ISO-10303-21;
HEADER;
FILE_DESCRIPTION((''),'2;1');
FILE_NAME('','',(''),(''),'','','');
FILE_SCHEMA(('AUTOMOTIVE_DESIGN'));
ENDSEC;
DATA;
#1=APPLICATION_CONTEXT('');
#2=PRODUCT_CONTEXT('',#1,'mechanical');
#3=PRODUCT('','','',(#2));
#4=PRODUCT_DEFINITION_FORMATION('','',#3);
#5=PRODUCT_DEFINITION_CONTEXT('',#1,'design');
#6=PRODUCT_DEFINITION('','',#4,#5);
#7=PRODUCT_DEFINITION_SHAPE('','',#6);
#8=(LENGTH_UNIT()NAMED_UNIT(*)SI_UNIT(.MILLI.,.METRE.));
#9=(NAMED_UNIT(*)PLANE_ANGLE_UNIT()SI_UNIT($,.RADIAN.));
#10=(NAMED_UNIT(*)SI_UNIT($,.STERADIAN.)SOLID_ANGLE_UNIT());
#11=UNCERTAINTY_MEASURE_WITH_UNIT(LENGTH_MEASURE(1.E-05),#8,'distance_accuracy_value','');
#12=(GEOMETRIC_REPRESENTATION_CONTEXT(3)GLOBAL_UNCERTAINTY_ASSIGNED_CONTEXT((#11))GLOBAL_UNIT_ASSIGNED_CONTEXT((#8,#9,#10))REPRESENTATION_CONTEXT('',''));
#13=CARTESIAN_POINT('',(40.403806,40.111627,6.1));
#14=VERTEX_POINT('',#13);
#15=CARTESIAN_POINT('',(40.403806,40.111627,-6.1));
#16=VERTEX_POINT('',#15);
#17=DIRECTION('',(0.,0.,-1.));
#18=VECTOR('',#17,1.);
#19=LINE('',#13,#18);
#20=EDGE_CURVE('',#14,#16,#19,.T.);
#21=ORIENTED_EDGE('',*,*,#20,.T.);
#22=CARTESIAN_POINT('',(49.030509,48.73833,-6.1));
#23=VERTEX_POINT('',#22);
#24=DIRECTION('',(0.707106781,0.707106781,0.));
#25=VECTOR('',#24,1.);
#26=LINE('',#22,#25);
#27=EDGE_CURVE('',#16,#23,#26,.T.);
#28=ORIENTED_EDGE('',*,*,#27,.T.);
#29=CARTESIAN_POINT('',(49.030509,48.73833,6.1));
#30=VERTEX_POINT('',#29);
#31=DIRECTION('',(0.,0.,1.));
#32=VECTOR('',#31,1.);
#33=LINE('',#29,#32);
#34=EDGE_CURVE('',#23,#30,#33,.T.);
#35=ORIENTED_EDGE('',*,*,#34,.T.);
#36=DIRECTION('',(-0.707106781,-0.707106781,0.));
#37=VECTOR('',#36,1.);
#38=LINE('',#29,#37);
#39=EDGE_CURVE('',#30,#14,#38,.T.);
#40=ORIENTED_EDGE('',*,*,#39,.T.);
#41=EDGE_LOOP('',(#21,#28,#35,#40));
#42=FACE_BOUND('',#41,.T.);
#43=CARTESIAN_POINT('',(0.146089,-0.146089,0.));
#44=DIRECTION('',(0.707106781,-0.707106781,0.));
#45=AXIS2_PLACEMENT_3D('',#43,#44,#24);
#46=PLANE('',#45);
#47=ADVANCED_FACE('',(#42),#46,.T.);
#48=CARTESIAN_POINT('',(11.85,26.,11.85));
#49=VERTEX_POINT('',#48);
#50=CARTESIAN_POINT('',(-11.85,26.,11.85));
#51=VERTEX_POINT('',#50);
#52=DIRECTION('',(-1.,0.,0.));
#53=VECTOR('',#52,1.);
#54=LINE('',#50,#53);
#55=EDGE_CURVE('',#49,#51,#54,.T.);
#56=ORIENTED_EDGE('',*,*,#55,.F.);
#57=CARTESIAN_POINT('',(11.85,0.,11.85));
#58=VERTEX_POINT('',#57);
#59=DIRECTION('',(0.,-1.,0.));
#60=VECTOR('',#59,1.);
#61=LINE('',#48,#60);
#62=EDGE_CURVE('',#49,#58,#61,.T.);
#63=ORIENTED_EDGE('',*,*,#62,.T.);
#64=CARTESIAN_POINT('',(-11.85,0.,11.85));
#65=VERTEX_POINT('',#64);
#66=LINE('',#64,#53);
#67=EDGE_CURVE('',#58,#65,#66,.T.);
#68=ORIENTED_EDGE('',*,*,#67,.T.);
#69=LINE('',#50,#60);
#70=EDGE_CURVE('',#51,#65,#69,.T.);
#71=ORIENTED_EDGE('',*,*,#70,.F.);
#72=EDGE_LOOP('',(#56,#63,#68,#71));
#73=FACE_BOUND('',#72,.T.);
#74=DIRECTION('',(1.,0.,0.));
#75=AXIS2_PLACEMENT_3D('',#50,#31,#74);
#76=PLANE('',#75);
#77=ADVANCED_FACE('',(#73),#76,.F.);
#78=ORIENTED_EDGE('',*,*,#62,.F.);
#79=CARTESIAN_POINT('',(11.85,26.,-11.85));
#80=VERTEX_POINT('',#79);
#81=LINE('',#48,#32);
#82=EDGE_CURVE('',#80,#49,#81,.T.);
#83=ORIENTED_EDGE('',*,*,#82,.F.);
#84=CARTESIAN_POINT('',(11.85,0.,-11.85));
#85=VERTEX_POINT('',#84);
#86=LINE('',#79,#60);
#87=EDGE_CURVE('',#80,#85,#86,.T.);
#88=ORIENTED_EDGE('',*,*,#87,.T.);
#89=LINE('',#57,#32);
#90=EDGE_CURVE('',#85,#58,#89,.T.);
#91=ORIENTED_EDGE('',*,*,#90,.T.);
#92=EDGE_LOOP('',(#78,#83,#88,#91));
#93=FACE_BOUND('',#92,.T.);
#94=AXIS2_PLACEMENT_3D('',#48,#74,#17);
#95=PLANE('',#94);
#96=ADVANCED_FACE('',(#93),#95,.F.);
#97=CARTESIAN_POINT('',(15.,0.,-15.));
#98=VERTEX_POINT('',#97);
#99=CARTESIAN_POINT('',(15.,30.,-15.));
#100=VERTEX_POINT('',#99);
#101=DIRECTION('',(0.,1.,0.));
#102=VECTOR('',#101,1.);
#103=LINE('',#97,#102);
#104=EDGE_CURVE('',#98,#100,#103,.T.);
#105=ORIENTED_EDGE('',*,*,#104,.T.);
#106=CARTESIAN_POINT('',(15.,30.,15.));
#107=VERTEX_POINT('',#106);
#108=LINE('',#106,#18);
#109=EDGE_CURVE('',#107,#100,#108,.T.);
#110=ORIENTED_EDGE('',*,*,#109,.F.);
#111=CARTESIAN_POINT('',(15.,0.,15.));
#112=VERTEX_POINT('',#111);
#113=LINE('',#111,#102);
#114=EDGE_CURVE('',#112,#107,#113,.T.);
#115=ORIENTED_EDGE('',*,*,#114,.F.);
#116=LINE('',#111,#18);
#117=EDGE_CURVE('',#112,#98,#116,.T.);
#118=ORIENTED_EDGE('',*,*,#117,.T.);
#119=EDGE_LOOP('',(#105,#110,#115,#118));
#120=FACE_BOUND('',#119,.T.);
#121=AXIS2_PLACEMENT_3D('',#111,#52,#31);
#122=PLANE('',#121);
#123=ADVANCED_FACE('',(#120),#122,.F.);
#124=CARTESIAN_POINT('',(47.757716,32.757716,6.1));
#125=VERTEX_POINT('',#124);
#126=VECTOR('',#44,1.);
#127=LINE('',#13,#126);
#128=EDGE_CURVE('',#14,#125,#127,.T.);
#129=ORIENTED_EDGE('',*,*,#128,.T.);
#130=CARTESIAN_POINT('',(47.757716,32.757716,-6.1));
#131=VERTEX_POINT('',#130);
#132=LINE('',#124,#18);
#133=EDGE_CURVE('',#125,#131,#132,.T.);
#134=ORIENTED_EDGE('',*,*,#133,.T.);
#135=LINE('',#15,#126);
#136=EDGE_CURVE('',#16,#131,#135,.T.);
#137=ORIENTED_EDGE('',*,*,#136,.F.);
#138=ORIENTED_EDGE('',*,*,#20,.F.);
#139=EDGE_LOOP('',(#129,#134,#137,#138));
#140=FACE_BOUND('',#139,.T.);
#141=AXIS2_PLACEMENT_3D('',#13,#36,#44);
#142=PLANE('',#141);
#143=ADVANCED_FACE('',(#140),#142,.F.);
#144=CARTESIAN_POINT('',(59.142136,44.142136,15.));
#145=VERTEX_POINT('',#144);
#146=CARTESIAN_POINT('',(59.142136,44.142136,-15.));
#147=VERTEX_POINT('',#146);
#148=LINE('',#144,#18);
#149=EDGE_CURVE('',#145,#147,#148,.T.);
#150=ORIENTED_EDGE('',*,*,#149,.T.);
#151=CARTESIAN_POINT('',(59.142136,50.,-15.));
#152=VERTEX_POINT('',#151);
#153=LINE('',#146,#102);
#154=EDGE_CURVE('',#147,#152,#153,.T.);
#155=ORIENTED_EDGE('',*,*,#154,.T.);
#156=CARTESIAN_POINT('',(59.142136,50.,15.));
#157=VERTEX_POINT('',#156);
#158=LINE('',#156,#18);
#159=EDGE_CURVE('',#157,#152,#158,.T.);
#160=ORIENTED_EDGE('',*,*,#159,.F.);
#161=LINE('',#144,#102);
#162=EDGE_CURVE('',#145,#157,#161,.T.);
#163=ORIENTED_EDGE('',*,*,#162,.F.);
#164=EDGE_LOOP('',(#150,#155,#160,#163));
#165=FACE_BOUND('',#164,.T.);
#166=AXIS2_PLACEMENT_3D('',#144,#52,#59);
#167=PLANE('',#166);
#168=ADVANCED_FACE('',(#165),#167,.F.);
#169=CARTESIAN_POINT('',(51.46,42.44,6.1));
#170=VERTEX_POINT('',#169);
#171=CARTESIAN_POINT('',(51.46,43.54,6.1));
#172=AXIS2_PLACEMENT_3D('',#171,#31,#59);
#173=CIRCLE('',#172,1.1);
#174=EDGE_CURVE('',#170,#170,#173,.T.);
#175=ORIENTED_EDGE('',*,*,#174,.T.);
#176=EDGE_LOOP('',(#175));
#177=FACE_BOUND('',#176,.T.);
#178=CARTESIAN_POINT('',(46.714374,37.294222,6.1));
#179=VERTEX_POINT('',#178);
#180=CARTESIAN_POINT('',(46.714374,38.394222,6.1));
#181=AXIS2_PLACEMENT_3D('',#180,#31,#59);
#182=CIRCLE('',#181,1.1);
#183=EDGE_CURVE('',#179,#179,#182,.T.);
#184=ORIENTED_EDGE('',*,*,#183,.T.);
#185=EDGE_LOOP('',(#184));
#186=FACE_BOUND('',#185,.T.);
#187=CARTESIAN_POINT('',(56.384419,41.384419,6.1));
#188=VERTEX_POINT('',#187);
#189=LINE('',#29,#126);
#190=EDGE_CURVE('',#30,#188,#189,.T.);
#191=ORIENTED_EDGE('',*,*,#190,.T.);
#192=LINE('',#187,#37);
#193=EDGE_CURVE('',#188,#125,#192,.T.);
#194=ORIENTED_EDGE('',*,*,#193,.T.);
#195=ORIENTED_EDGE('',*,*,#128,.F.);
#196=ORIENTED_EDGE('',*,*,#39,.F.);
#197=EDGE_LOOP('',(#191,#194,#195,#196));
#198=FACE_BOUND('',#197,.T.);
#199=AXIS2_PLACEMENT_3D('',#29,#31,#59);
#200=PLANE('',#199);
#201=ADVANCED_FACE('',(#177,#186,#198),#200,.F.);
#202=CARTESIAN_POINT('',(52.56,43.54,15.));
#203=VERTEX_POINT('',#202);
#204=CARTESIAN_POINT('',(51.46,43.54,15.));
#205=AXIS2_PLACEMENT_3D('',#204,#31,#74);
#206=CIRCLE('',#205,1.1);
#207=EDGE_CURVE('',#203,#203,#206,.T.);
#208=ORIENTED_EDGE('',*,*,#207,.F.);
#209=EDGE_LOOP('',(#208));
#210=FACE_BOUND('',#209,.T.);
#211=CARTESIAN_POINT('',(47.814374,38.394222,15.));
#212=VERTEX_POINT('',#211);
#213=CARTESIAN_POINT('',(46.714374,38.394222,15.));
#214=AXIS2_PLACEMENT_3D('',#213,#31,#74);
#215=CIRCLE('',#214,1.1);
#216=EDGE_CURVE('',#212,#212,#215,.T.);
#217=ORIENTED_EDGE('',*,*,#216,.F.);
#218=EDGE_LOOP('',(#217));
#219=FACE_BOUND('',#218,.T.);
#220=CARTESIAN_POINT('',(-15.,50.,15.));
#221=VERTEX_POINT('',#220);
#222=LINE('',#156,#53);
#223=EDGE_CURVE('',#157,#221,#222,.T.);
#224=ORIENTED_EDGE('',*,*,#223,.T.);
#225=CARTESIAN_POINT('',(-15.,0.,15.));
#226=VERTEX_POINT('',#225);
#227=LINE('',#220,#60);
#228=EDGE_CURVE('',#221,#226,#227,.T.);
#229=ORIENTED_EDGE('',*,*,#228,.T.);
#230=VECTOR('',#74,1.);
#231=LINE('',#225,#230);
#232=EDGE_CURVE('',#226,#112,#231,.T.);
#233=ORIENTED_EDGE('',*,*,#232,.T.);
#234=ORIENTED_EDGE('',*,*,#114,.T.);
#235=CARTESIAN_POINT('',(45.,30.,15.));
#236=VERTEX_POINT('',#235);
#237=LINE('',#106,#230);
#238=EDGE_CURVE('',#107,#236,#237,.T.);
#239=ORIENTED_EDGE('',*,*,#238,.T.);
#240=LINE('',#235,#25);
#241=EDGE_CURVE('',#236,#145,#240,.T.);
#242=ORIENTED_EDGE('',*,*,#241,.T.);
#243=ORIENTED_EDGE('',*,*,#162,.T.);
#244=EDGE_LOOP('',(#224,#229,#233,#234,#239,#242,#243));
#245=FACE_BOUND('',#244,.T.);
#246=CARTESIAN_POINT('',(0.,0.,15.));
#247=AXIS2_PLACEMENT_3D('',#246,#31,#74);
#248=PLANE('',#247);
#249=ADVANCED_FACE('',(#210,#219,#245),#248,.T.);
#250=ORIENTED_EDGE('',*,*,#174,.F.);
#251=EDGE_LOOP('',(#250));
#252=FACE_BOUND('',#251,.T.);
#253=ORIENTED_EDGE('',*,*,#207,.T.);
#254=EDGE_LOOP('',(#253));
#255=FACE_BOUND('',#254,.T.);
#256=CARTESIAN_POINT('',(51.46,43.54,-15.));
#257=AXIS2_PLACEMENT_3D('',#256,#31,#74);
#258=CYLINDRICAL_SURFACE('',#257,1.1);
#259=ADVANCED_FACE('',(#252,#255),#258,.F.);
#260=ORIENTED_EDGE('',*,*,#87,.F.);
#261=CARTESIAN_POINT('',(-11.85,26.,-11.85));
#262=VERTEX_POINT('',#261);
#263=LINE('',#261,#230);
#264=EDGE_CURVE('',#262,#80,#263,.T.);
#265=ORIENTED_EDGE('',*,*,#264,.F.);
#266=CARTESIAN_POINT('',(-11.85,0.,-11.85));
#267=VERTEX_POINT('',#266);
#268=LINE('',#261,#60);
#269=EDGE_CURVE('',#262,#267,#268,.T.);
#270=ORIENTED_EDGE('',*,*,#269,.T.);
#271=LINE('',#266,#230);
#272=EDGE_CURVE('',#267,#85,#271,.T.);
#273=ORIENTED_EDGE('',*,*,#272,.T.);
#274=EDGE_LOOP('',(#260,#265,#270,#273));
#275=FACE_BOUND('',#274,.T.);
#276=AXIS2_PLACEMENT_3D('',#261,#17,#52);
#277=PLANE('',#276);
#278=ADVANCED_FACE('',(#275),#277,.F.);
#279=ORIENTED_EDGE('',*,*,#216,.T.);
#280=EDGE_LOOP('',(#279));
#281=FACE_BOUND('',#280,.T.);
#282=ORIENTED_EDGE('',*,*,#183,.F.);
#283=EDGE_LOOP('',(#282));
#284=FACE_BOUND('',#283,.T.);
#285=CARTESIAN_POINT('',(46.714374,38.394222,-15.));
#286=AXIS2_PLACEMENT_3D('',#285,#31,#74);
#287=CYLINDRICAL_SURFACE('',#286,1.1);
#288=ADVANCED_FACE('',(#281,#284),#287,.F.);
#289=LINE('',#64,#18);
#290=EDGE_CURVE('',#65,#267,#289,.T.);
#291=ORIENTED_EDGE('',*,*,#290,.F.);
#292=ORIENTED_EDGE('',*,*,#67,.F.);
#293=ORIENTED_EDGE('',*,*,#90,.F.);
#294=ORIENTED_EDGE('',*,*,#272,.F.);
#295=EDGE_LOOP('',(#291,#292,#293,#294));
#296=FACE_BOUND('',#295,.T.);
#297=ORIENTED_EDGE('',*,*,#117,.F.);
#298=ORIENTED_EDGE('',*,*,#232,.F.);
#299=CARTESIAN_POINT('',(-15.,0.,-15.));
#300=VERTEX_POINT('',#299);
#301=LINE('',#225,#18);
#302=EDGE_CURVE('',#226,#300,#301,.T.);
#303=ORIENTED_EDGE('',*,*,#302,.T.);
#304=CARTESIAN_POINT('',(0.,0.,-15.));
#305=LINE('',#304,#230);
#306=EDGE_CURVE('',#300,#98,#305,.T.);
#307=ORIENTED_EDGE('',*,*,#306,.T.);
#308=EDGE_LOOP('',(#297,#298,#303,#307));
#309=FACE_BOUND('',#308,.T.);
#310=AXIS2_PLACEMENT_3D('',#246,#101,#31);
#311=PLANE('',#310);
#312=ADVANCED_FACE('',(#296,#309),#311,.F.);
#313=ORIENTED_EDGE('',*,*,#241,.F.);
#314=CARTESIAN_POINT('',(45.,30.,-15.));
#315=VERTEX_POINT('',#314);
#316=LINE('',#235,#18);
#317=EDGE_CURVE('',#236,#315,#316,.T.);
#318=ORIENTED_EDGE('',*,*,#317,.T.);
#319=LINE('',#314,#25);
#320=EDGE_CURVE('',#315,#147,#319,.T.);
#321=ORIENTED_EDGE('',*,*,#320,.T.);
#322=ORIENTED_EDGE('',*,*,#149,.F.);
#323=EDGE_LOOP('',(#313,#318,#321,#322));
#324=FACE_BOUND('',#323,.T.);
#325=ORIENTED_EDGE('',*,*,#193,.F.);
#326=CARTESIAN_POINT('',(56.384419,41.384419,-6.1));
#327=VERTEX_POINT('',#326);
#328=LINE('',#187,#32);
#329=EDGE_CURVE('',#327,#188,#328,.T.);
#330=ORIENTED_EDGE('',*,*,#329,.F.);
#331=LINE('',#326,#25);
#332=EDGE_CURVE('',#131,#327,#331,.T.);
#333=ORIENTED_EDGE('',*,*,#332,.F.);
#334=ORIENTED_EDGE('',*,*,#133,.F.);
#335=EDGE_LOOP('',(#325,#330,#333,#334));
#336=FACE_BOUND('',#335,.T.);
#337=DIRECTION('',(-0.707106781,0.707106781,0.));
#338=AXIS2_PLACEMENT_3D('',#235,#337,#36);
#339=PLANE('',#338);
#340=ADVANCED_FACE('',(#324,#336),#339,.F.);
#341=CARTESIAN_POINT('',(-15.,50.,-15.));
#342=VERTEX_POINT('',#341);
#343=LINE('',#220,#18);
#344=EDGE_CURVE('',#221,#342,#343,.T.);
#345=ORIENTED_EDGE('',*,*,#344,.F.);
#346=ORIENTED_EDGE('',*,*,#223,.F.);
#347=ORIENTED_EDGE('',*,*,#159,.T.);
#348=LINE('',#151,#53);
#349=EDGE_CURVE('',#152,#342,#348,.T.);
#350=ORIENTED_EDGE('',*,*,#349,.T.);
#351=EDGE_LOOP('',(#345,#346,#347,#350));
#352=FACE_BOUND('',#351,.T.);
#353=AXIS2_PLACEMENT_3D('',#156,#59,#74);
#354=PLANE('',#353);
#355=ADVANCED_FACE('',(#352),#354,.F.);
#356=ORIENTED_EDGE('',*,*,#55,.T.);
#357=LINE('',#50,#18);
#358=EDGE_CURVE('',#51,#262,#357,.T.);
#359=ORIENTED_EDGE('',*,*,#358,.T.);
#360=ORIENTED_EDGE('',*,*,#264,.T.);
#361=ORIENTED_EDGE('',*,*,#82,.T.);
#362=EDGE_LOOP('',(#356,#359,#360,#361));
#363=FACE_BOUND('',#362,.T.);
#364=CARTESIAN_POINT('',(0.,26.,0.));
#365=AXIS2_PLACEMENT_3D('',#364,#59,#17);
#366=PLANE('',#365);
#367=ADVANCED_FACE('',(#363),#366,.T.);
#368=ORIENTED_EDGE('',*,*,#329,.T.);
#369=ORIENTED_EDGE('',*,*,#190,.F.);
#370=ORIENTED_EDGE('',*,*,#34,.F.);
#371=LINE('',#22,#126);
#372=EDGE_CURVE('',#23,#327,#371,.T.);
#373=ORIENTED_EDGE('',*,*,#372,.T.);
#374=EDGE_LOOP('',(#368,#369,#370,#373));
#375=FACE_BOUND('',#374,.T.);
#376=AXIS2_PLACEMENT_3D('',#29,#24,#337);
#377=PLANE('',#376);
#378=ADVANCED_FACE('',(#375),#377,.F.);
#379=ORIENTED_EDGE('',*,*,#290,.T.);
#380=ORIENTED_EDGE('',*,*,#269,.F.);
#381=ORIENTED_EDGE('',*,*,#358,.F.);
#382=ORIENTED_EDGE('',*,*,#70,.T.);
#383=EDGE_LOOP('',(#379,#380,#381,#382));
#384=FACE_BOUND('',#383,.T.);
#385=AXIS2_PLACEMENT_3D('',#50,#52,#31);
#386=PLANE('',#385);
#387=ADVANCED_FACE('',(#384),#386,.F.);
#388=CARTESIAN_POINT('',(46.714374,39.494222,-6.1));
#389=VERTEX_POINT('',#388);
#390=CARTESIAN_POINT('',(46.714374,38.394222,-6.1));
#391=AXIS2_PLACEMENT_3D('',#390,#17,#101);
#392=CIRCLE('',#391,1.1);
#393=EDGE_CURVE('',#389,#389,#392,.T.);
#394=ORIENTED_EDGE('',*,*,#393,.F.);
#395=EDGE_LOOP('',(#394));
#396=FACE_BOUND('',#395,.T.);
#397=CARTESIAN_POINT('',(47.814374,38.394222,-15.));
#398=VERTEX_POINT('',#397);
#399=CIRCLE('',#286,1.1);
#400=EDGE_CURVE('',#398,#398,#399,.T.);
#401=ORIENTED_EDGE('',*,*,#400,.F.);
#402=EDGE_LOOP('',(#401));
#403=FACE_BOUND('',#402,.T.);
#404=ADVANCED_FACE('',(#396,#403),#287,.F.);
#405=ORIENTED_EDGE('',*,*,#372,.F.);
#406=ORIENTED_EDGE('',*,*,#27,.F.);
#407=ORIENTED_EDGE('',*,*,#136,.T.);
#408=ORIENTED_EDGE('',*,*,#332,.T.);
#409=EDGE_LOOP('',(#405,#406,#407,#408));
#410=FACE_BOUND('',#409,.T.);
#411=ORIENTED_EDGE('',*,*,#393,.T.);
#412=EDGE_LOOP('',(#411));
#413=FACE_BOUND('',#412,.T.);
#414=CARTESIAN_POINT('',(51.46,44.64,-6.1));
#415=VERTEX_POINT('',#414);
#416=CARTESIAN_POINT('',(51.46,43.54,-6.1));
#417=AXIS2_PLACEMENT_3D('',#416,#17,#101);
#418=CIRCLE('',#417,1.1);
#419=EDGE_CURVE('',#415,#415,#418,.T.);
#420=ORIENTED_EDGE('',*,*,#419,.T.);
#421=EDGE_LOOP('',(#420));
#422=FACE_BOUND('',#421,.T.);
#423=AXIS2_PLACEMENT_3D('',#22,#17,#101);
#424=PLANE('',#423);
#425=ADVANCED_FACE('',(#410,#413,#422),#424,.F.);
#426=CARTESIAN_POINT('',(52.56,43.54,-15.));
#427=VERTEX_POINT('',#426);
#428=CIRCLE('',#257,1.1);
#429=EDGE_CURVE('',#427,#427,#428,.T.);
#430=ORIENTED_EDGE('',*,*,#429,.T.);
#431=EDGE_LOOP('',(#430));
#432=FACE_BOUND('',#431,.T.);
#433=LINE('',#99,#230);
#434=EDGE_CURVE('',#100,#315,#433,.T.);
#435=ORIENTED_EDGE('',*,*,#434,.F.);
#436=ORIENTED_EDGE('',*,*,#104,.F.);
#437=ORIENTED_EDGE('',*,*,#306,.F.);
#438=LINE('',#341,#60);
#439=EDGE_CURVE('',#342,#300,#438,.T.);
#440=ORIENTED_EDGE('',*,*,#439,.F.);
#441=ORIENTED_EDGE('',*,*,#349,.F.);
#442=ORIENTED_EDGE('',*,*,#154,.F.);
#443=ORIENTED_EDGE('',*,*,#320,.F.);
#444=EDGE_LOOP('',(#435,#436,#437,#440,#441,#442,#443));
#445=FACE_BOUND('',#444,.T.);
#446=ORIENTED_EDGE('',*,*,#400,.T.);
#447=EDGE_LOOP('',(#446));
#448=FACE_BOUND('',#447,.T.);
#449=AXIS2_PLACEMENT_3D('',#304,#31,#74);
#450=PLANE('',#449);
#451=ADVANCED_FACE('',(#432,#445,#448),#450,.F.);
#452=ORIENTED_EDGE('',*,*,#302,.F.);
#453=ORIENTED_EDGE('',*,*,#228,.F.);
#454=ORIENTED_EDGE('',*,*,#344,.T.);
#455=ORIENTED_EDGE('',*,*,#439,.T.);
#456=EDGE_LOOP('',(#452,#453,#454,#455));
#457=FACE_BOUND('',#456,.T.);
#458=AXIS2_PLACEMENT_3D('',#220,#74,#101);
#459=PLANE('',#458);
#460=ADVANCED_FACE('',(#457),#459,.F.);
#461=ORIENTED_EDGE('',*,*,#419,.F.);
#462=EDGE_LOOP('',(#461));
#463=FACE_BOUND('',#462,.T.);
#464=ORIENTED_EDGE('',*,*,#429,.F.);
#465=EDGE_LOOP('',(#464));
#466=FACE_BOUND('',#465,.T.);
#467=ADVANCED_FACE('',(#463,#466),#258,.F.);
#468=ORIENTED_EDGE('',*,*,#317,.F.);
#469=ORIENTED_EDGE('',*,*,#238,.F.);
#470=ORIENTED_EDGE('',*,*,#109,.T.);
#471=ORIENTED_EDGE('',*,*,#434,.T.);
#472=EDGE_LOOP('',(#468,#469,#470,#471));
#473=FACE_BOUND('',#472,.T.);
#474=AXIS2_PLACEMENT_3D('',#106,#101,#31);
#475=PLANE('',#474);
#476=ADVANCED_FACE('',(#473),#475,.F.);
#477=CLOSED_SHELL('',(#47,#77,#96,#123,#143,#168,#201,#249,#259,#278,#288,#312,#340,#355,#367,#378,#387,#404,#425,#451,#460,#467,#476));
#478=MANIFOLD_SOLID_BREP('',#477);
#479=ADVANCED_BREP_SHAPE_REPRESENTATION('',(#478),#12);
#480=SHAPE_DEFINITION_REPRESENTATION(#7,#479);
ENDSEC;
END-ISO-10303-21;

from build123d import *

# Parameters (mm, degrees)
BOSS_EXTRUDE1_DEPTH = 15
SKETCH2_W           = 23.7
SKETCH2_H           = 23.7
CUT_EXTRUDE1_DEPTH  = 26
SKETCH5_W           = 12.2
SKETCH5_H           = 12.2
CUT_EXTRUDE3_DEPTH  = 10.4
SKETCH6_R           = 1.1
CUT_EXTRUDE4_DEPTH  = 84.052948209
SKETCH7_R           = 1.1
CUT_EXTRUDE5_DEPTH  = 84.052948209


with BuildPart() as part:
    # Sketch1 → Boss-Extrude1 (new, symmetric)
    with BuildSketch(Plane.XY):
        Polygon((0, 0), (15, 0), (15, 30), (45, 30), (59.142135624, 44.142135624), (59.142135624, 50), (-15, 50), (-15, 0), align=None)
    extrude(amount=BOSS_EXTRUDE1_DEPTH, both=True)

    # Sketch2 → Cut-Extrude1 (cut)
    with BuildSketch(Plane.XZ):
        Rectangle(SKETCH2_W, SKETCH2_H)
    extrude(amount=-CUT_EXTRUDE1_DEPTH, mode=Mode.SUBTRACT)

    # Sketch5 → Cut-Extrude3 (cut)
    with BuildSketch(Plane(origin=(7.5, -7.5, 0), x_dir=(0, 0, -1), z_dir=(0.7071067811865487, -0.7071067811865465, 0))):
        with Locations((0, 63.033008589)):
            Rectangle(SKETCH5_W, SKETCH5_H)
    extrude(amount=-CUT_EXTRUDE3_DEPTH, mode=Mode.SUBTRACT)

    # Sketch6 → Cut-Extrude4 (cut, through all)
    with BuildSketch(Plane.XY.offset(15)):
        with Locations((51.46, 43.54)):
            Circle(SKETCH6_R)
    extrude(amount=-CUT_EXTRUDE4_DEPTH, mode=Mode.SUBTRACT)

    # Sketch7 → Cut-Extrude5 (cut, through all)
    with BuildSketch(Plane.XY.offset(15)):
        with Locations((46.714373567, 38.394222143)):
            Circle(SKETCH7_R)
    extrude(amount=-CUT_EXTRUDE5_DEPTH, mode=Mode.SUBTRACT)


solid = part.part
